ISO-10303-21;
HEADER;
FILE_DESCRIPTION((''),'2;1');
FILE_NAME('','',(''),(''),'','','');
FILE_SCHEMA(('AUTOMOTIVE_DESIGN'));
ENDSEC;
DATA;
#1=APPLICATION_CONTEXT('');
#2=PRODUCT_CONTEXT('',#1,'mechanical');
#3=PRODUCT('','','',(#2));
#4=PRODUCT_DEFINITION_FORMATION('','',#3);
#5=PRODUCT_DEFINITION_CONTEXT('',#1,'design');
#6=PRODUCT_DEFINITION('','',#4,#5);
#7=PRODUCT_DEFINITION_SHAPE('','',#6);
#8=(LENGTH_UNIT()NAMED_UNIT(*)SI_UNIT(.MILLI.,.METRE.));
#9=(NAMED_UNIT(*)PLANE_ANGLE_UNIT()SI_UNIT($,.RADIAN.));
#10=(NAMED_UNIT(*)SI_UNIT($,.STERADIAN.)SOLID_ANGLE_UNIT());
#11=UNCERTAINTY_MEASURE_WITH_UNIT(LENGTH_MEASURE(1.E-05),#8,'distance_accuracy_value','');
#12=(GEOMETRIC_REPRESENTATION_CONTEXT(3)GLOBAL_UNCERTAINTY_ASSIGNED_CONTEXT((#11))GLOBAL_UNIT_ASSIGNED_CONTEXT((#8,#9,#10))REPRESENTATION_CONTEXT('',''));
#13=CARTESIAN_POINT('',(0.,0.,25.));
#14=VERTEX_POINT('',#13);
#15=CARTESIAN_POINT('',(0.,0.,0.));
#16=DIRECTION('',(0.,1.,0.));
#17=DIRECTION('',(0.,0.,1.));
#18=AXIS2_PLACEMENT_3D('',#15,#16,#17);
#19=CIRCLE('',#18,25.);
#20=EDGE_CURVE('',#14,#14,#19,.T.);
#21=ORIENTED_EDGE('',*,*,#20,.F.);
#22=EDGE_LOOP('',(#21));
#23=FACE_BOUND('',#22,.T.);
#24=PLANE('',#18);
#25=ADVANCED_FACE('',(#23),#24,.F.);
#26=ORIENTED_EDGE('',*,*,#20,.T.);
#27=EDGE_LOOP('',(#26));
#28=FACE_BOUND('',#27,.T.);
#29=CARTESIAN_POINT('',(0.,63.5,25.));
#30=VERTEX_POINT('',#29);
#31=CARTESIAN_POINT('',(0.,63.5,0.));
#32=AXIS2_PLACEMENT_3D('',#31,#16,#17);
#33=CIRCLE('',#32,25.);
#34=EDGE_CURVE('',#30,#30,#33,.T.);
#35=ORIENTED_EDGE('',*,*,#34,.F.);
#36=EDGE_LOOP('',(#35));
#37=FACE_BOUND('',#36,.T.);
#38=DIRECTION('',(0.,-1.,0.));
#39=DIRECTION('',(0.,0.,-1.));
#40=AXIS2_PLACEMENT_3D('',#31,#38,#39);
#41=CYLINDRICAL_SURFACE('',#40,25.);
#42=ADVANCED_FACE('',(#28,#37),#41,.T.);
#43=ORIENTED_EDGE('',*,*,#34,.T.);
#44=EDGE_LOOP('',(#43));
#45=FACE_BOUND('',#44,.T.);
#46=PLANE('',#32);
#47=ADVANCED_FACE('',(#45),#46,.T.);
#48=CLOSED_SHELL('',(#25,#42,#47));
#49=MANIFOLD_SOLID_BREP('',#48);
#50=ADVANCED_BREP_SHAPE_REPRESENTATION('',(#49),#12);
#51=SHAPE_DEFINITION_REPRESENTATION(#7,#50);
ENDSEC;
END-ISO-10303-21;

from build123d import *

# Parameters (mm, degrees)
SKETCH1_R           = 25
BOSS_EXTRUDE1_DEPTH = 63.5


with BuildPart() as part:
    # Sketch1 → Boss-Extrude1 (new body)
    with BuildSketch(Plane(origin=(0, 0, 0), x_dir=(1, 0, 0), z_dir=(0, 1, 0))):
        with Locations(Location((0, 0, 0), (0, 0, 270))):
            Circle(SKETCH1_R)
    extrude(amount=BOSS_EXTRUDE1_DEPTH)


solid = part.part
